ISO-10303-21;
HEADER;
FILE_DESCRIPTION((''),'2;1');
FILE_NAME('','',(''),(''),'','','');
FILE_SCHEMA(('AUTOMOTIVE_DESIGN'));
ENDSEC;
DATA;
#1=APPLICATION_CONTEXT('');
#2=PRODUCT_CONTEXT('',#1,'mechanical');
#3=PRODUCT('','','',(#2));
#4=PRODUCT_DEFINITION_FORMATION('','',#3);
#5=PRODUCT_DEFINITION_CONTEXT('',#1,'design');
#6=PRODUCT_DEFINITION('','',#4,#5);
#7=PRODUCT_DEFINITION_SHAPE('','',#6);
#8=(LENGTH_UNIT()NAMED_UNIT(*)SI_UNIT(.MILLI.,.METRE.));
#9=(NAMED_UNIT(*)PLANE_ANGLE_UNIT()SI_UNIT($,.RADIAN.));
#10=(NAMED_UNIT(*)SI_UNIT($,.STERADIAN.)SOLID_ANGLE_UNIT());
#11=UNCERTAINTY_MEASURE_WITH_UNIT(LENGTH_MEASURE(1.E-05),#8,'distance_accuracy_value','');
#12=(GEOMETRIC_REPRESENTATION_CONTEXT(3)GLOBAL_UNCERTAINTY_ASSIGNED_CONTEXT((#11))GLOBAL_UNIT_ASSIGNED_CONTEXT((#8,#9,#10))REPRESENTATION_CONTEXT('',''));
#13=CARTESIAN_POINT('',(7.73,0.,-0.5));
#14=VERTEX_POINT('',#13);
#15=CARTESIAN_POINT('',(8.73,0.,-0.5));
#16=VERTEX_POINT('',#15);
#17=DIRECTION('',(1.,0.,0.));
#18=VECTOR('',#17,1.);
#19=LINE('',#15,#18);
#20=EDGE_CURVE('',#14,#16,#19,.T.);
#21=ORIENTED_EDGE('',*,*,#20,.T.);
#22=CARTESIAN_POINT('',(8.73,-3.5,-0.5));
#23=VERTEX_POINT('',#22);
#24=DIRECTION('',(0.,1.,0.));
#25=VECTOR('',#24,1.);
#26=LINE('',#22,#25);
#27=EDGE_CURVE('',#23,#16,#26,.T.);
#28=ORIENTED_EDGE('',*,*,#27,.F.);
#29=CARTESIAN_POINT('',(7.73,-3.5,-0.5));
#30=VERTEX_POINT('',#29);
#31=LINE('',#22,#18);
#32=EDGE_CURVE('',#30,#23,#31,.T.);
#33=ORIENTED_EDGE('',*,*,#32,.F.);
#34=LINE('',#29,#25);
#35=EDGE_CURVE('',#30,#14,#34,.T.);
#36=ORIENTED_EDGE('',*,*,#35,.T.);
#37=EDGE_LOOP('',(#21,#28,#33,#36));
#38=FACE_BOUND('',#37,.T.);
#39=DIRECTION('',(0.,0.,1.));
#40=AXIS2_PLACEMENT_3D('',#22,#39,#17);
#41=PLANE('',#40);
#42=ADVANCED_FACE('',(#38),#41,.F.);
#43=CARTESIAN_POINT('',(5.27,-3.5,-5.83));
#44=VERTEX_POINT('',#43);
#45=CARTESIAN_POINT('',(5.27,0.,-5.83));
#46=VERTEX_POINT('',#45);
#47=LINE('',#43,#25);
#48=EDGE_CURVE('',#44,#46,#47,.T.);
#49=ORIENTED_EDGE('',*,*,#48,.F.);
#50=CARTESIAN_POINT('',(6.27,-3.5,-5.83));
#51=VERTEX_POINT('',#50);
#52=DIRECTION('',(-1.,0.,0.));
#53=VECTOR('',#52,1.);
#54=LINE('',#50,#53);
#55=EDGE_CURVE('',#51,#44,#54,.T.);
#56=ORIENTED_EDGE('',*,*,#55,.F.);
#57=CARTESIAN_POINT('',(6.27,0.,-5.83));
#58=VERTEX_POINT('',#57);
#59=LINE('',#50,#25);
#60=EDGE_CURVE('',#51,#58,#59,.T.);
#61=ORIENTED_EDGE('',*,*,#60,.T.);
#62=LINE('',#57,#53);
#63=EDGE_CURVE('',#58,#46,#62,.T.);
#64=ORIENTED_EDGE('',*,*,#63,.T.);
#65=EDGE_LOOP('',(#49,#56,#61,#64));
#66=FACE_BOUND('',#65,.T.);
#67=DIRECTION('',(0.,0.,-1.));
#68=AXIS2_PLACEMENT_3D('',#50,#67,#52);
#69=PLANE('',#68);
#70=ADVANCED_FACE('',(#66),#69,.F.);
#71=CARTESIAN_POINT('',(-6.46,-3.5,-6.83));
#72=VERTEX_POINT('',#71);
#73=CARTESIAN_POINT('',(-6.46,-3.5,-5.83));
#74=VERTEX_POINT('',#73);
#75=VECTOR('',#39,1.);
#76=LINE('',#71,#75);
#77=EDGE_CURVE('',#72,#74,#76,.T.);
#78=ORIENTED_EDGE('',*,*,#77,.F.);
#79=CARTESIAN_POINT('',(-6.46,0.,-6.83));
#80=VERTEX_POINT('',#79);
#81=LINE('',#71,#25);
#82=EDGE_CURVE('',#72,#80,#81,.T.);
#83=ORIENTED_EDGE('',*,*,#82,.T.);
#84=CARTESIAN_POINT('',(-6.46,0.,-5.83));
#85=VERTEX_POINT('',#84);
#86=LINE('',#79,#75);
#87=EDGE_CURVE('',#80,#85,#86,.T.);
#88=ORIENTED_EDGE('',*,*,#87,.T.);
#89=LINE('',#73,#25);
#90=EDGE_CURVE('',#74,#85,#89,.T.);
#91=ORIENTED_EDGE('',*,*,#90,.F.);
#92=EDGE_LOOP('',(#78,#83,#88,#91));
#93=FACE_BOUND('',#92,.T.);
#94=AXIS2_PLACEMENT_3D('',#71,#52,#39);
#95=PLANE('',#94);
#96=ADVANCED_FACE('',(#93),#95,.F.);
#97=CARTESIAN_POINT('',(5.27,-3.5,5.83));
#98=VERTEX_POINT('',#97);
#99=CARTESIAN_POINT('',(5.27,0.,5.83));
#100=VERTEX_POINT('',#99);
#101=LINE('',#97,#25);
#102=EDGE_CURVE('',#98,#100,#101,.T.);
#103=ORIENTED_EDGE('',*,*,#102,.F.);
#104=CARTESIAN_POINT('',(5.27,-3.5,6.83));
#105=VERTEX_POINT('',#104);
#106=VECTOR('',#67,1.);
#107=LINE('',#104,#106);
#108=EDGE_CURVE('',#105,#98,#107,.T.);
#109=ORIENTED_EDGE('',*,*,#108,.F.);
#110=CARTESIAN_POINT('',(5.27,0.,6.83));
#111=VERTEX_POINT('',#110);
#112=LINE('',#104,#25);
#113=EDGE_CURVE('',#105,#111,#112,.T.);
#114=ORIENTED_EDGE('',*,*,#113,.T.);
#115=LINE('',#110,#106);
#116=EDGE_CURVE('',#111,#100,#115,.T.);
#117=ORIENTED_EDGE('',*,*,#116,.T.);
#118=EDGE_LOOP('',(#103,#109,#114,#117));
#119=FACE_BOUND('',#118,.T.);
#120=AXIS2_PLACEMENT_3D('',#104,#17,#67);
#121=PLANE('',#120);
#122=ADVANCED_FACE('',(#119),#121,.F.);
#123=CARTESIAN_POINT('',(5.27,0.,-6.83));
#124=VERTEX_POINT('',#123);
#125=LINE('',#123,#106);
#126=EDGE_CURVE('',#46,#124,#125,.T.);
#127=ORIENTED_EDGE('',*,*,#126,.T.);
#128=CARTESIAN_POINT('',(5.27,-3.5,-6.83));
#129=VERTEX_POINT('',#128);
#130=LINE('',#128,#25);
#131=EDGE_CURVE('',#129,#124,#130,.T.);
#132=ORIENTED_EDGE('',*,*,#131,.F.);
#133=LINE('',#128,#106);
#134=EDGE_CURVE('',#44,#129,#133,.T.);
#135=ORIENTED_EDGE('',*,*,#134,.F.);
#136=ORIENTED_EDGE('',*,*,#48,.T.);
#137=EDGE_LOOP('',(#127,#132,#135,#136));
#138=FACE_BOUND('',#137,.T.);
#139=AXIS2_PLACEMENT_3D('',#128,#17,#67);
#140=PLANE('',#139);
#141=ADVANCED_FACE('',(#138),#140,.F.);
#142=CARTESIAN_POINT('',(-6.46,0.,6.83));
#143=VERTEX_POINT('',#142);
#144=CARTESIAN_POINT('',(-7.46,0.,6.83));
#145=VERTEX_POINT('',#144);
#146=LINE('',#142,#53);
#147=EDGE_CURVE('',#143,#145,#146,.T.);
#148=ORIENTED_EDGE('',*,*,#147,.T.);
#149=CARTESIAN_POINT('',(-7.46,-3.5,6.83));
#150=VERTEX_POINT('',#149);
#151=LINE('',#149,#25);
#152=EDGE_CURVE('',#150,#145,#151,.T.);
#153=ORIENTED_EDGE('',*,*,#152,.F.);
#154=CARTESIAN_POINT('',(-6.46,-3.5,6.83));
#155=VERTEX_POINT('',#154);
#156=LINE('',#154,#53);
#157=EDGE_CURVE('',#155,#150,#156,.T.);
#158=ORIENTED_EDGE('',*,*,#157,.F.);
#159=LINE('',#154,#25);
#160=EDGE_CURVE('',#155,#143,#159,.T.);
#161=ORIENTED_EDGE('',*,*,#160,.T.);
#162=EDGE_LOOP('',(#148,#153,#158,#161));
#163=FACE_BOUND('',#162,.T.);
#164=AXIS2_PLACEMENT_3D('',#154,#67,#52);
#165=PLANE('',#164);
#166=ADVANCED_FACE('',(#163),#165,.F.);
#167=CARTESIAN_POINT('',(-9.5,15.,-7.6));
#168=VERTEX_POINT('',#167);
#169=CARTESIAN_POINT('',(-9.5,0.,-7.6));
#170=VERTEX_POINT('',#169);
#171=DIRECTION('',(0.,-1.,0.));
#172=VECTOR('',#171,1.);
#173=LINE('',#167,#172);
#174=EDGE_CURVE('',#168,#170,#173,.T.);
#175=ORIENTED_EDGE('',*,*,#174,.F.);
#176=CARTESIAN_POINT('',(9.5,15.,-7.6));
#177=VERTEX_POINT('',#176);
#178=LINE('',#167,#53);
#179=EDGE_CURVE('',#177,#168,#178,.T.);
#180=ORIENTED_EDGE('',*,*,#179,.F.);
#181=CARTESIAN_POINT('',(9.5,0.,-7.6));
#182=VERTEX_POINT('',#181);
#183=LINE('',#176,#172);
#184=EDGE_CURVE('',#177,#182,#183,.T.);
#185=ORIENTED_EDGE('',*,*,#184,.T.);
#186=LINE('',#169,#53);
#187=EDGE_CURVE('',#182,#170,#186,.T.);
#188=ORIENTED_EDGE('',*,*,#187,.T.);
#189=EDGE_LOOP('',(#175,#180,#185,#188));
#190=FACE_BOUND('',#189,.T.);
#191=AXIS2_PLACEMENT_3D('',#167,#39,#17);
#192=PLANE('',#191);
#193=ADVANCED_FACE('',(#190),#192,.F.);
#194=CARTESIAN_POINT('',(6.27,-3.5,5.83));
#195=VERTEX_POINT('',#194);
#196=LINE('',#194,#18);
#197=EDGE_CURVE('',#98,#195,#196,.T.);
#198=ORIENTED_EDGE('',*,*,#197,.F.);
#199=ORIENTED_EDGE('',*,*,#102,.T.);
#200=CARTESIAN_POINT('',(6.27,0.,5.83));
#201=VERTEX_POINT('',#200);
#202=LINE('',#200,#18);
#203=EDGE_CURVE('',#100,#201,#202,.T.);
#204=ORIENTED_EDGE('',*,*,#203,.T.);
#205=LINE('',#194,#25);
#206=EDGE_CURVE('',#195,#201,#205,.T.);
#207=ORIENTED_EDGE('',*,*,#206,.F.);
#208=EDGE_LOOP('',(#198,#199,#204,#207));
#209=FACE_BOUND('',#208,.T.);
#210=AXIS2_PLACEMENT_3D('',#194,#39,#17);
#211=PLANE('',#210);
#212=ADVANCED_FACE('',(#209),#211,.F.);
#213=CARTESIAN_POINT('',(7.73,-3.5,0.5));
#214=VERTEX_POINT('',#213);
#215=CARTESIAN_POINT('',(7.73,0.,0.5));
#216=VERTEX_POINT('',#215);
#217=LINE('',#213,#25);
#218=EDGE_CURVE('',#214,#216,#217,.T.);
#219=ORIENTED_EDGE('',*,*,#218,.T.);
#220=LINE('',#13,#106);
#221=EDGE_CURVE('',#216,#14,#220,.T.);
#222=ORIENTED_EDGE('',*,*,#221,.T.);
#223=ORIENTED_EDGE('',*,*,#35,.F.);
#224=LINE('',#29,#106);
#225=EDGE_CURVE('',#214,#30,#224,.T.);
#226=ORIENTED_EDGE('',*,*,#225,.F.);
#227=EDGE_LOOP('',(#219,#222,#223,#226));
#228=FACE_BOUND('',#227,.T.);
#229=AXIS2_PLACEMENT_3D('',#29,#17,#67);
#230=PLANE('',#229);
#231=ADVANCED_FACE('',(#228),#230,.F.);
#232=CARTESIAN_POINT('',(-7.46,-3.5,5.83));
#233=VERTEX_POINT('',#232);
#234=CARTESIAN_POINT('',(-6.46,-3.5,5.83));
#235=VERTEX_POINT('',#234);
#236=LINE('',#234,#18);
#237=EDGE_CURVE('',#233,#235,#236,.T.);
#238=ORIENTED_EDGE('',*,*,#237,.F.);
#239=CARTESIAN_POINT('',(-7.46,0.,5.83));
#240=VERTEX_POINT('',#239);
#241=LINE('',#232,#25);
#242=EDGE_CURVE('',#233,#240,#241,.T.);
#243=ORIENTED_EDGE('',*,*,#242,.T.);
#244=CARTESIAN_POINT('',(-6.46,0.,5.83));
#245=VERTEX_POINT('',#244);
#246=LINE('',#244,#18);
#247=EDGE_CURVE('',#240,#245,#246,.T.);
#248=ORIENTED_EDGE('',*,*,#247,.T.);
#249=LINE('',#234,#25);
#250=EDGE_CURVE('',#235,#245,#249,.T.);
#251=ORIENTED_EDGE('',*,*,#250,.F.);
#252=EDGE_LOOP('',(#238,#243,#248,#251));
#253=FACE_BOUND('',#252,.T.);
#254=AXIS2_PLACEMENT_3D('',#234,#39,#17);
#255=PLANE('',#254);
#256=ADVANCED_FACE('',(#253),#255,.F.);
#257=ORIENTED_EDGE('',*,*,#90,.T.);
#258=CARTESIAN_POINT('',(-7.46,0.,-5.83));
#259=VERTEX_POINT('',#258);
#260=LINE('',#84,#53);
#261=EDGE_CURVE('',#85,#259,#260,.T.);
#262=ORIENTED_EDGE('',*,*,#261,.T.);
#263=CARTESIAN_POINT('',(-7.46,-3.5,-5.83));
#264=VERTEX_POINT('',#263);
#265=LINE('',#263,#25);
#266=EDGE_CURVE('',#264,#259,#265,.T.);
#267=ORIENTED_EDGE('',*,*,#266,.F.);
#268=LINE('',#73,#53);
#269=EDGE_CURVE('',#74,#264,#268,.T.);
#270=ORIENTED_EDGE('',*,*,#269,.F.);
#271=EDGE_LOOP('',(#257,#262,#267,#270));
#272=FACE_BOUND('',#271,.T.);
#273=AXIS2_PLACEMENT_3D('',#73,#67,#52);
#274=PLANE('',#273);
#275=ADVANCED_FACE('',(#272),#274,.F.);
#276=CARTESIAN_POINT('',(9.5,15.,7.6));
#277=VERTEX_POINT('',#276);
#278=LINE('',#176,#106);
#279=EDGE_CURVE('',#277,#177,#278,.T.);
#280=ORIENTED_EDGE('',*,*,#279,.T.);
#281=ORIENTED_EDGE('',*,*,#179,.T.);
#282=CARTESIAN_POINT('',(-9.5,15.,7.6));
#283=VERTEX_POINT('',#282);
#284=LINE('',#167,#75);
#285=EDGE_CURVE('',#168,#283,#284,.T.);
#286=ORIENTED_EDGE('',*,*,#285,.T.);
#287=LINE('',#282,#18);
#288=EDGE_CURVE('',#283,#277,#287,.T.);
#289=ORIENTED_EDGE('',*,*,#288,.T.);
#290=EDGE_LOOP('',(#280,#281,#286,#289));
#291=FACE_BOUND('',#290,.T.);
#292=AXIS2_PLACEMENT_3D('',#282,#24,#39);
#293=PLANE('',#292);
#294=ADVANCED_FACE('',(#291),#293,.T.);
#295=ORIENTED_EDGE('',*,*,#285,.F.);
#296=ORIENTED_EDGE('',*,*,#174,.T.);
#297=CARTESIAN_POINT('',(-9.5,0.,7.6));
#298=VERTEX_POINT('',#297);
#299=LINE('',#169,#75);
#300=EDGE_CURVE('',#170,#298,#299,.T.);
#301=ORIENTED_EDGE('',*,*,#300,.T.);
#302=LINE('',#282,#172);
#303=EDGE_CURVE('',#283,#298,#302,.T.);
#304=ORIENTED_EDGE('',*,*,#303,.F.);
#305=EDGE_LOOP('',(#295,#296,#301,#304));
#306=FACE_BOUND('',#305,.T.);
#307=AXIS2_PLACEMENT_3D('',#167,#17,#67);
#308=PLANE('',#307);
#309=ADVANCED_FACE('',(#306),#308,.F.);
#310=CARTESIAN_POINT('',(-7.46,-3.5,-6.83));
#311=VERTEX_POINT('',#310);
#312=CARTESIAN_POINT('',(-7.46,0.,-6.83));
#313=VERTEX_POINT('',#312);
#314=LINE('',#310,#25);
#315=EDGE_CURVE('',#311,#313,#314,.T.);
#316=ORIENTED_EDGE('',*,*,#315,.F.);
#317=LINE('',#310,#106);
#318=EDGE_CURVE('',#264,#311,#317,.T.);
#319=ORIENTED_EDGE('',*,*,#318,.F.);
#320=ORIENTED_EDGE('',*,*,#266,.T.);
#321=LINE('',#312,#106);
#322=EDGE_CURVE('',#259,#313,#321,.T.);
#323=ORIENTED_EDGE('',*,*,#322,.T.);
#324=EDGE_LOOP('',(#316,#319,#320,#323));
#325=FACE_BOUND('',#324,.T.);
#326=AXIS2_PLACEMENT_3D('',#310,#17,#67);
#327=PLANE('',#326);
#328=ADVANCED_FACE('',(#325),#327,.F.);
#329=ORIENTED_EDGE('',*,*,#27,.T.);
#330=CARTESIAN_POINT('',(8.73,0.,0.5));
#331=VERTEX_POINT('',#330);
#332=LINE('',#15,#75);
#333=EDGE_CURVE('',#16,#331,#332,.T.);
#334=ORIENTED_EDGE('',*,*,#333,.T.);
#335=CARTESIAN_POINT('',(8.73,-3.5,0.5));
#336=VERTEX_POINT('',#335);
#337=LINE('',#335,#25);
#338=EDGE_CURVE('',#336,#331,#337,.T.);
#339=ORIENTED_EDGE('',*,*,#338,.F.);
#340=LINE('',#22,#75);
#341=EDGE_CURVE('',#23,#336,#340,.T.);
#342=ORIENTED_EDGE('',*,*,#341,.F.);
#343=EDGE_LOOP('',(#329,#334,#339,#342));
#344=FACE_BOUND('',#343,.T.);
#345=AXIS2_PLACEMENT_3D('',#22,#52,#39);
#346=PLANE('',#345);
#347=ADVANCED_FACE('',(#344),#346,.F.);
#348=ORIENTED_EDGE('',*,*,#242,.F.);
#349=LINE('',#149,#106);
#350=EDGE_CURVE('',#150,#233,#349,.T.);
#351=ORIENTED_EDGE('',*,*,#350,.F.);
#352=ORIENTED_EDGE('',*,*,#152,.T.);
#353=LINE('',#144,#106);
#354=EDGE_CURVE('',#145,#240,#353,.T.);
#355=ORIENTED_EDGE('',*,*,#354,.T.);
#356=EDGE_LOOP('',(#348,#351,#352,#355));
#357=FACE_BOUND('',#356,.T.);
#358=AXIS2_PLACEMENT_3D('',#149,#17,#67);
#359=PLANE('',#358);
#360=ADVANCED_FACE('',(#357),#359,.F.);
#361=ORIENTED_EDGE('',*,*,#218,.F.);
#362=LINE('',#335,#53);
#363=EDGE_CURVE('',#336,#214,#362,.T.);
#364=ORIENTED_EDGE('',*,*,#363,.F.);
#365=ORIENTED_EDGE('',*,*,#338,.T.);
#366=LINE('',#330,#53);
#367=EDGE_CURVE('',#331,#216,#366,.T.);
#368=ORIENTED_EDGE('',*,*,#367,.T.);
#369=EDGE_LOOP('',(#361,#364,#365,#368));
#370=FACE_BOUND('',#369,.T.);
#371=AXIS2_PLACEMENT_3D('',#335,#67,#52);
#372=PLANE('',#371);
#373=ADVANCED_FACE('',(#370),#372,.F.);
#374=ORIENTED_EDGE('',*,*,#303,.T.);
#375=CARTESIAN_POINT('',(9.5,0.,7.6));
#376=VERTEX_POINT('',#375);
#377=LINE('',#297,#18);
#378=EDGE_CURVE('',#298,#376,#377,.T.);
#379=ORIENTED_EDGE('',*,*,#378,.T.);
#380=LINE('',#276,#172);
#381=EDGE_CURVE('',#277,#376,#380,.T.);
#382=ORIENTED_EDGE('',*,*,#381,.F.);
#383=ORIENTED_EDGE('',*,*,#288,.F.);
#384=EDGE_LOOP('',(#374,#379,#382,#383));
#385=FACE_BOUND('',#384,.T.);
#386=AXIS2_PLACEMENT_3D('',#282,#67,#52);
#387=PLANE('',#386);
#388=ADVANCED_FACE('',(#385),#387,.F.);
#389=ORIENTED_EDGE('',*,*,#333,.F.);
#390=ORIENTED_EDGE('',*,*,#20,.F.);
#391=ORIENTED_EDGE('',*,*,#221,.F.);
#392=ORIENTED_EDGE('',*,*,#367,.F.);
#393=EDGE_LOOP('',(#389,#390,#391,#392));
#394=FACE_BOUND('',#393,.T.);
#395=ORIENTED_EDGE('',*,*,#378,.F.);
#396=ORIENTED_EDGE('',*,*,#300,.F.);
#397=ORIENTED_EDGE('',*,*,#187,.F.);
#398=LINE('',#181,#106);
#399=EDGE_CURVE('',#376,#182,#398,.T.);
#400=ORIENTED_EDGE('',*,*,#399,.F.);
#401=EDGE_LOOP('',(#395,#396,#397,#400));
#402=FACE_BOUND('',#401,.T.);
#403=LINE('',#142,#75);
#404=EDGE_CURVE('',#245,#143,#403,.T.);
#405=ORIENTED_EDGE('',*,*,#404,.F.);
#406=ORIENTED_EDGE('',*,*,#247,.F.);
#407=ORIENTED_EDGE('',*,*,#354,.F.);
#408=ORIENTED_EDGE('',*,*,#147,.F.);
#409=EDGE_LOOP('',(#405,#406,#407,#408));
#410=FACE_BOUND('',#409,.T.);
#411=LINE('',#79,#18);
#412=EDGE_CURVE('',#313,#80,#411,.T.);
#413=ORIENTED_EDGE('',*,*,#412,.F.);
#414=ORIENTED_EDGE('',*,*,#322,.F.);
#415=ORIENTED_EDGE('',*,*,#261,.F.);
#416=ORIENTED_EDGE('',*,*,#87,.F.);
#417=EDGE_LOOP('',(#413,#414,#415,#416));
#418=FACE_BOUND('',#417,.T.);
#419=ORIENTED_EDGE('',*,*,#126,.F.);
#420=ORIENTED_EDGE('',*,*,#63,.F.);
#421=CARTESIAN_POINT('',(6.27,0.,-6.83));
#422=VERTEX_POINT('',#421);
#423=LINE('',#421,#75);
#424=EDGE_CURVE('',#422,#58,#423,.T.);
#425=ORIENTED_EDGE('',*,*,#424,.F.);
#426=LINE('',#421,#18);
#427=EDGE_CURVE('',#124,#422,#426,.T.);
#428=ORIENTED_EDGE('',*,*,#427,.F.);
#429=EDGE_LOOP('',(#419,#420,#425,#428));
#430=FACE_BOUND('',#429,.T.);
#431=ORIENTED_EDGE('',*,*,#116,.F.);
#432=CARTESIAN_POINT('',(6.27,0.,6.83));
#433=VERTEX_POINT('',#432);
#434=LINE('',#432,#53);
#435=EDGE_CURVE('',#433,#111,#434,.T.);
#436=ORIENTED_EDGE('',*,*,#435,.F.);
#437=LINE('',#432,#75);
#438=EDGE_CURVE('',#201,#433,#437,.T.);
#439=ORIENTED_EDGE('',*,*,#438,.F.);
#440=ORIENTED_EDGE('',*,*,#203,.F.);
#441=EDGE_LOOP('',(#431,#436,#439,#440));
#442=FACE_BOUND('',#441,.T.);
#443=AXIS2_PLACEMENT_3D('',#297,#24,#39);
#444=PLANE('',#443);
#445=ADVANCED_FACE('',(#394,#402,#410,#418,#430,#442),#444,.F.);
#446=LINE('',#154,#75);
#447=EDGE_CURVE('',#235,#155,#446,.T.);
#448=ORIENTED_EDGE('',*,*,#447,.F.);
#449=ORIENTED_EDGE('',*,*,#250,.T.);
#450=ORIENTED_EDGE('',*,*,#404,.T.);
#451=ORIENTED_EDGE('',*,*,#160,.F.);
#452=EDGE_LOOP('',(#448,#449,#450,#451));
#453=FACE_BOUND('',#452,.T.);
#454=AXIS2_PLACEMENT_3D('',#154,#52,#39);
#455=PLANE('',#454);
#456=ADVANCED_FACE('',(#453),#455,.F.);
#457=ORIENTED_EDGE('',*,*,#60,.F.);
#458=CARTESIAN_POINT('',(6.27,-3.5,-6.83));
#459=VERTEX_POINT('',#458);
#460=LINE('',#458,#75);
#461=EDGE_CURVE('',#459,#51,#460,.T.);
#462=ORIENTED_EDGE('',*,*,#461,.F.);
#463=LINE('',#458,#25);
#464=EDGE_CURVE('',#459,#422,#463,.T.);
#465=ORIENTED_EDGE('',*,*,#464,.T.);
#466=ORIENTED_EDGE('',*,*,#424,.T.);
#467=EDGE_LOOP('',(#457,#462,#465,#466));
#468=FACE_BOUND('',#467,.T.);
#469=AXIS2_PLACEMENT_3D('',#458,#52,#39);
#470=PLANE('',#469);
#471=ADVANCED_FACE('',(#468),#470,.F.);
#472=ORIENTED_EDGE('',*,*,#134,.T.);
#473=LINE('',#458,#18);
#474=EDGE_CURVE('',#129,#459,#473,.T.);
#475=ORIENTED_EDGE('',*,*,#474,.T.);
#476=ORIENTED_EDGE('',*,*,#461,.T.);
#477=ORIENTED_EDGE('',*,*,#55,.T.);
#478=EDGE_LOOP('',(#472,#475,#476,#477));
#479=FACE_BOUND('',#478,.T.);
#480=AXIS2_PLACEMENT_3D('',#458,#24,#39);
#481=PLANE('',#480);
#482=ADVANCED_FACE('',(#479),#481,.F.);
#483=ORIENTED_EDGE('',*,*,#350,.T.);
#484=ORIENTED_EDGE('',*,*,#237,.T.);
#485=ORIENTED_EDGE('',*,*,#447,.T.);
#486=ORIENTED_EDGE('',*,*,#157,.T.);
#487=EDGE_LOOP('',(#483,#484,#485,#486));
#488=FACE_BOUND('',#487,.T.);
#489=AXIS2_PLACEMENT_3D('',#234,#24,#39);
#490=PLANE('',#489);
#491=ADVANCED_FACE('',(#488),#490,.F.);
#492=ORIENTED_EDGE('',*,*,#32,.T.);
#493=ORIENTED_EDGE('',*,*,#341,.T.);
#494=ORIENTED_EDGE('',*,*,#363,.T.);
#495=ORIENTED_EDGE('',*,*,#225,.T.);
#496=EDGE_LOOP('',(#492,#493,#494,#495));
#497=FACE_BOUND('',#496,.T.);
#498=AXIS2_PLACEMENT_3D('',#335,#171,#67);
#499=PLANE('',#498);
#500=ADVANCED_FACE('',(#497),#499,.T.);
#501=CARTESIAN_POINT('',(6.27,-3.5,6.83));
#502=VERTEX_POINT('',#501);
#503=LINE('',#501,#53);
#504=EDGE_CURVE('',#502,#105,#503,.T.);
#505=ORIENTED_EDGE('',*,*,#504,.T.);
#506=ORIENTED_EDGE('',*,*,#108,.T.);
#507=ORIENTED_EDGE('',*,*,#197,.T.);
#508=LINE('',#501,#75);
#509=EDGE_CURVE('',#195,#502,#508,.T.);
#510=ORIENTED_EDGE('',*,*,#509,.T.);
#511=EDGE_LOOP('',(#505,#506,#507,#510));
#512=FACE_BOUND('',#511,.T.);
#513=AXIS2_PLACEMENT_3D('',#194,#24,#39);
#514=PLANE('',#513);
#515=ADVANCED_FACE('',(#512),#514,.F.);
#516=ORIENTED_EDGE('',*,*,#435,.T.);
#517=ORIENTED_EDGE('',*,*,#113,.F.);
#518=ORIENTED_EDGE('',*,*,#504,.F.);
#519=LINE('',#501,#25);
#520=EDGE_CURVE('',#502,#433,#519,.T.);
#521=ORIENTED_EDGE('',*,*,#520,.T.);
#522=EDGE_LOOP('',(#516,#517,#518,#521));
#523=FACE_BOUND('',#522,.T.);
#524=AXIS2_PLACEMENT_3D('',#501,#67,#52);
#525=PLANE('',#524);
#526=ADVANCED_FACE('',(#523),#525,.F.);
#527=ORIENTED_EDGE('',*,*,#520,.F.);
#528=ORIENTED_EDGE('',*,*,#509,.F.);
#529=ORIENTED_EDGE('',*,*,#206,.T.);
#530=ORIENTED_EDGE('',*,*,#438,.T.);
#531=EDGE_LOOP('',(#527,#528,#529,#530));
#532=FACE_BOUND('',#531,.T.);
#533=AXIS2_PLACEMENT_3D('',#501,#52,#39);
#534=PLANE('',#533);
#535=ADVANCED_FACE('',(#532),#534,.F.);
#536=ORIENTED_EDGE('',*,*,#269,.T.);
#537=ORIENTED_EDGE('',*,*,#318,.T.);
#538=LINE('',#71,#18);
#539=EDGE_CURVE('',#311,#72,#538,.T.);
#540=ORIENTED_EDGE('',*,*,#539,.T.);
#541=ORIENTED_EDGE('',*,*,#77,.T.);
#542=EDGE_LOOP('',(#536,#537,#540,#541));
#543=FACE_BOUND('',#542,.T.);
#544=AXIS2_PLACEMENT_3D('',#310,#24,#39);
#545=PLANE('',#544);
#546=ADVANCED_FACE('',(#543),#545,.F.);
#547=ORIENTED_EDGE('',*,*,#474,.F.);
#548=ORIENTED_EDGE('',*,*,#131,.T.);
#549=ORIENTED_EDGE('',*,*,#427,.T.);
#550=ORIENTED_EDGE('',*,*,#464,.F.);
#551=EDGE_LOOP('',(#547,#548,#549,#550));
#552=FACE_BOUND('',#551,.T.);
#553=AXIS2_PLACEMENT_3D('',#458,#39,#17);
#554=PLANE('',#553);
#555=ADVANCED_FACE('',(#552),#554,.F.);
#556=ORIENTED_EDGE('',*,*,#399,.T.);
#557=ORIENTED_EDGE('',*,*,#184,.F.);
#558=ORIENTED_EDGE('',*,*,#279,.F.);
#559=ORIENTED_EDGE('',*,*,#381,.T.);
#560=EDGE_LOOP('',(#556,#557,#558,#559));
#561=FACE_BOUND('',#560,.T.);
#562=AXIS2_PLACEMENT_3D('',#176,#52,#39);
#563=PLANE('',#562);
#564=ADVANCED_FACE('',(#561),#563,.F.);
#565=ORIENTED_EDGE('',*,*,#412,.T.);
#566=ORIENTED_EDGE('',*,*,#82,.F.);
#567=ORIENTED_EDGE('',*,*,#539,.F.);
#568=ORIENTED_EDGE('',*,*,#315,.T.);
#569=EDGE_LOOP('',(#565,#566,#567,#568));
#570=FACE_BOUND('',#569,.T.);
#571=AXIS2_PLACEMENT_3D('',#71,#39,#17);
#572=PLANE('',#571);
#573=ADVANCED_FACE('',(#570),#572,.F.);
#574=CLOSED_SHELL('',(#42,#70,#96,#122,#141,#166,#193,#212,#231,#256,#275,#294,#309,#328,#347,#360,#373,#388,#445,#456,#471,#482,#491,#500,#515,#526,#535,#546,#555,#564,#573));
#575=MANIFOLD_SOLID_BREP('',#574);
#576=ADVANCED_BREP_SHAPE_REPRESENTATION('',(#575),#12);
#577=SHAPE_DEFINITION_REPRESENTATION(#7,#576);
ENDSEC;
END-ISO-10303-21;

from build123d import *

# Parameters (mm, degrees)
SKETCH_1_W      = 19
SKETCH_1_H      = 15.2
EXTRUDE_1_DEPTH = 15
SKETCH_2_W      = 1
SKETCH_2_H      = 1
EXTRUDE_2_DEPTH = 3.5


with BuildPart() as part:
    # 草图1 → 拉伸1 (new body)
    with BuildSketch(Plane(origin=(0, 0, 0), x_dir=(1, 0, 0), z_dir=(0, 1, 0))):
        Rectangle(SKETCH_1_W, SKETCH_1_H)
    extrude(amount=EXTRUDE_1_DEPTH)

    # 草图2 → 拉伸2 (add)
    with BuildSketch(Plane.XZ):
        with Locations((8.23, 0)):
            Rectangle(SKETCH_2_W, SKETCH_2_H)
        with Locations((5.77, 6.33)):
            Rectangle(SKETCH_2_W, SKETCH_2_H)
        with Locations((-6.96, 6.33)):
            Rectangle(SKETCH_2_W, SKETCH_2_H)
        with Locations((-6.96, -6.33)):
            Rectangle(SKETCH_2_W, SKETCH_2_H)
        with Locations((5.77, -6.33)):
            Rectangle(SKETCH_2_W, SKETCH_2_H)
    extrude(amount=EXTRUDE_2_DEPTH)


solid = part.part
